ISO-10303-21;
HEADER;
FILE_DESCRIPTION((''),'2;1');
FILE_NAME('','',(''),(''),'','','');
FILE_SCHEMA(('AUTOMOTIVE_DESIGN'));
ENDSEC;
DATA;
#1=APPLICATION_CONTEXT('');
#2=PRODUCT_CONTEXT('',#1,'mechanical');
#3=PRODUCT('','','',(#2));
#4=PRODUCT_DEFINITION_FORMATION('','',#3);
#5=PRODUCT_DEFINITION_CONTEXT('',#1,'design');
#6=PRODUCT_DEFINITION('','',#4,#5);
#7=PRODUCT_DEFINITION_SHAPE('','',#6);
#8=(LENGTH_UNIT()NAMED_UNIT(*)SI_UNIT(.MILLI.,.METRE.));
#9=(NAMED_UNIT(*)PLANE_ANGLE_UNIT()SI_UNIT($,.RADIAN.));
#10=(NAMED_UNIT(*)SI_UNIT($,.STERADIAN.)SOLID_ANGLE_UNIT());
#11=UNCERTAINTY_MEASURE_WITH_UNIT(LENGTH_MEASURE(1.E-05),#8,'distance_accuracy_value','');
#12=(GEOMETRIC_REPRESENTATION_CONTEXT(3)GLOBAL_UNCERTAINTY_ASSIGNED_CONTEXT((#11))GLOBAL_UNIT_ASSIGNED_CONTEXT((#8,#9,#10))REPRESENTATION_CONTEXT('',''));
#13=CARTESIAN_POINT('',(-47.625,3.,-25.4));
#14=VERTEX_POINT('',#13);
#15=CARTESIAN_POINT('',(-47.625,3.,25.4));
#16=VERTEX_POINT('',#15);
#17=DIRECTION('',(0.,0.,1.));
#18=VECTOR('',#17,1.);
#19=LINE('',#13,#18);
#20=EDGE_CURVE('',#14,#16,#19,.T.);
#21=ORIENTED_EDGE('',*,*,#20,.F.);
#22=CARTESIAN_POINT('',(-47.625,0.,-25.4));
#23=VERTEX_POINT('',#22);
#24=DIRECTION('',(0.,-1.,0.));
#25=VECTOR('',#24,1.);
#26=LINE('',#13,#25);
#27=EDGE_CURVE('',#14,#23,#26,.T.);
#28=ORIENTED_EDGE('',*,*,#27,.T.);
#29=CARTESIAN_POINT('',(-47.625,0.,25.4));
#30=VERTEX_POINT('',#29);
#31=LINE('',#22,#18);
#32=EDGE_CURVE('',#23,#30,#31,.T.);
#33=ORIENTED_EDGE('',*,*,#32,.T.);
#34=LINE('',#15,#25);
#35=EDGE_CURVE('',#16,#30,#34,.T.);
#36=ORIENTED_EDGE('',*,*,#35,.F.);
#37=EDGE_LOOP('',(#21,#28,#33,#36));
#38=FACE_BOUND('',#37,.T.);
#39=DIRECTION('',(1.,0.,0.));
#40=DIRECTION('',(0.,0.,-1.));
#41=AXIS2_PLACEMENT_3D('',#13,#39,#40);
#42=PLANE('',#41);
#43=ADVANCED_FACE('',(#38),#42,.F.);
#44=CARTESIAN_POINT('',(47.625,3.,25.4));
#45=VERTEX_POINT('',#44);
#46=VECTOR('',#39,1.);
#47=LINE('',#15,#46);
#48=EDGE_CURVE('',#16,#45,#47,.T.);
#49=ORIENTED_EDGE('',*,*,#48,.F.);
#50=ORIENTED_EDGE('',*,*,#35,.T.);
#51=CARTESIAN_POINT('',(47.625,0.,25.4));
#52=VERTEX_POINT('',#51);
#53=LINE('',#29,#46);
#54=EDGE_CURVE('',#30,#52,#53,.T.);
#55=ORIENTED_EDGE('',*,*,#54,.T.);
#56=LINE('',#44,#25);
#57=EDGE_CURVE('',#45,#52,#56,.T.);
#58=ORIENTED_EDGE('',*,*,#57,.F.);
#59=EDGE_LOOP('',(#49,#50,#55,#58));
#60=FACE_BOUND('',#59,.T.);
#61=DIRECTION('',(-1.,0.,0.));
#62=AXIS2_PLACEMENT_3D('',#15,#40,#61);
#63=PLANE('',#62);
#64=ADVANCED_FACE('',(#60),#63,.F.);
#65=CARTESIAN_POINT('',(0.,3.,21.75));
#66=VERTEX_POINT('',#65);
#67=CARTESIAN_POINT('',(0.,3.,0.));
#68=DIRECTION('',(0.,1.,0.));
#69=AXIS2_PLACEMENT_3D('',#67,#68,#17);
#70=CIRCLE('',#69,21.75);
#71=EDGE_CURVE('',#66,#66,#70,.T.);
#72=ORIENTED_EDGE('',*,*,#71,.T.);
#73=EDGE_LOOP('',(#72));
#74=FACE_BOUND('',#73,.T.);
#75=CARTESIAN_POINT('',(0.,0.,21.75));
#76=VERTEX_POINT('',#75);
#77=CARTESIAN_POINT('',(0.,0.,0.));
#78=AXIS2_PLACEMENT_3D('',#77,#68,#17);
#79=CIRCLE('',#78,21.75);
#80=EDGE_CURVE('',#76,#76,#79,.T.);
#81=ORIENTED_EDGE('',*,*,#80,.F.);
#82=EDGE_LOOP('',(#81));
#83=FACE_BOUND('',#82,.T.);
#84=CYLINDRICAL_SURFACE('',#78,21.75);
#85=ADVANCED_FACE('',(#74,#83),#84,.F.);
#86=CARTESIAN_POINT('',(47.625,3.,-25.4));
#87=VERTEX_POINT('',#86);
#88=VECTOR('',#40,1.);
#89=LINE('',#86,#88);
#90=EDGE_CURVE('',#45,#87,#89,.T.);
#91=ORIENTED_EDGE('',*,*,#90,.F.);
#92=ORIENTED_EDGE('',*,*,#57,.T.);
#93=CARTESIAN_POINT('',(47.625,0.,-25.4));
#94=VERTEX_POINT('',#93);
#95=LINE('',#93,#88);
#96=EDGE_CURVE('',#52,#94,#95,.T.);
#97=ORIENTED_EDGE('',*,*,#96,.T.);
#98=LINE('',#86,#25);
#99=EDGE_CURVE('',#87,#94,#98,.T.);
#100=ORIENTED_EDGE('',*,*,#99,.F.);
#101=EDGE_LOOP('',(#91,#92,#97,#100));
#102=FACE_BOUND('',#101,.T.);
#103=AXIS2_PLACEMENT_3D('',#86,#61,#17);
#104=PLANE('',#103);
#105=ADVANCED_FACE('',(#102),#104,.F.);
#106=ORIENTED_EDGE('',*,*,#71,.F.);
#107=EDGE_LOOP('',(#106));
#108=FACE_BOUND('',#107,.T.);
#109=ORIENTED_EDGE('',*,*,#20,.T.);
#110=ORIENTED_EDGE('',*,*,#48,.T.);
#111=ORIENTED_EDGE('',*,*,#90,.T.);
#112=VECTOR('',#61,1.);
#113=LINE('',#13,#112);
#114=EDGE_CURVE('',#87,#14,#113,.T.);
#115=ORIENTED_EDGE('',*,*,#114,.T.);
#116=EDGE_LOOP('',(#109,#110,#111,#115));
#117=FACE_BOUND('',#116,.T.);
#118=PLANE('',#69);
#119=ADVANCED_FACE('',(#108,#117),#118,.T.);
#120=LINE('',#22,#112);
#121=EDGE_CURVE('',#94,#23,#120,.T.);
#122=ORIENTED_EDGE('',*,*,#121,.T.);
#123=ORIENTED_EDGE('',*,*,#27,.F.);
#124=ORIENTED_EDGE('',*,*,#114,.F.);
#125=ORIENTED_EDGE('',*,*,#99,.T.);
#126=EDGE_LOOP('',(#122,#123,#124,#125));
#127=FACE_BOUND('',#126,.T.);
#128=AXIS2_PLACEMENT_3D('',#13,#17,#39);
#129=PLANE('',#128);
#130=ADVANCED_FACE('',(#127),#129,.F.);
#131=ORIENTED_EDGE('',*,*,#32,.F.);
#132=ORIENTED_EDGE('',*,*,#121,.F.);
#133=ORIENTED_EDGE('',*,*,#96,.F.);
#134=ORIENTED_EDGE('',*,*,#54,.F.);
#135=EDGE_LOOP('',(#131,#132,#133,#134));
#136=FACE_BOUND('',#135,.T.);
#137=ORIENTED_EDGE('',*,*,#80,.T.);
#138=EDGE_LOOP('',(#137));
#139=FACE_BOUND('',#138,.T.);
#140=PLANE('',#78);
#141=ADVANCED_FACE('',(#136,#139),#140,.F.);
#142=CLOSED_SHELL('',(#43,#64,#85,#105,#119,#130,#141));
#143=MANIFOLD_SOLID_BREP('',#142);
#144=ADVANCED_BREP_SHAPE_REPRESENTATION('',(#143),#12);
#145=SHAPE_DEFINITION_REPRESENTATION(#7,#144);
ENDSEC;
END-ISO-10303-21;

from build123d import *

# Parameters (mm, degrees)
SKETCH1_W               = 95.25
SKETCH1_H               = 50.8
BOSS_EXTRUDE1_DEPTH     = 3
CUT_EXTRUDE1_DEPTH      = 55.058307641
CUT_EXTRUDE1_DEPTH_BACK = 55.058307641
SKETCH2_R               = 21.75


with BuildPart() as part:
    # Sketch1 → Boss-Extrude1 (new body)
    with BuildSketch(Plane(origin=(0, 0, 0), x_dir=(1, 0, 0), z_dir=(0, 1, 0))):
        Rectangle(SKETCH1_W, SKETCH1_H)
    extrude(amount=BOSS_EXTRUDE1_DEPTH)

    # Sketch2 → Cut-Extrude1 (cut, two sides: drawn at the far end of the back side and taken through both)
    with BuildSketch(Plane(origin=(0, 3, 0), x_dir=(1, 0, 0), z_dir=(0, 1, 0)).offset(-CUT_EXTRUDE1_DEPTH_BACK)):
        with Locations(Location((0, 0, 0), (0, 0, 270))):
            Circle(SKETCH2_R)
    extrude(amount=CUT_EXTRUDE1_DEPTH + CUT_EXTRUDE1_DEPTH_BACK, mode=Mode.SUBTRACT)


solid = part.part
